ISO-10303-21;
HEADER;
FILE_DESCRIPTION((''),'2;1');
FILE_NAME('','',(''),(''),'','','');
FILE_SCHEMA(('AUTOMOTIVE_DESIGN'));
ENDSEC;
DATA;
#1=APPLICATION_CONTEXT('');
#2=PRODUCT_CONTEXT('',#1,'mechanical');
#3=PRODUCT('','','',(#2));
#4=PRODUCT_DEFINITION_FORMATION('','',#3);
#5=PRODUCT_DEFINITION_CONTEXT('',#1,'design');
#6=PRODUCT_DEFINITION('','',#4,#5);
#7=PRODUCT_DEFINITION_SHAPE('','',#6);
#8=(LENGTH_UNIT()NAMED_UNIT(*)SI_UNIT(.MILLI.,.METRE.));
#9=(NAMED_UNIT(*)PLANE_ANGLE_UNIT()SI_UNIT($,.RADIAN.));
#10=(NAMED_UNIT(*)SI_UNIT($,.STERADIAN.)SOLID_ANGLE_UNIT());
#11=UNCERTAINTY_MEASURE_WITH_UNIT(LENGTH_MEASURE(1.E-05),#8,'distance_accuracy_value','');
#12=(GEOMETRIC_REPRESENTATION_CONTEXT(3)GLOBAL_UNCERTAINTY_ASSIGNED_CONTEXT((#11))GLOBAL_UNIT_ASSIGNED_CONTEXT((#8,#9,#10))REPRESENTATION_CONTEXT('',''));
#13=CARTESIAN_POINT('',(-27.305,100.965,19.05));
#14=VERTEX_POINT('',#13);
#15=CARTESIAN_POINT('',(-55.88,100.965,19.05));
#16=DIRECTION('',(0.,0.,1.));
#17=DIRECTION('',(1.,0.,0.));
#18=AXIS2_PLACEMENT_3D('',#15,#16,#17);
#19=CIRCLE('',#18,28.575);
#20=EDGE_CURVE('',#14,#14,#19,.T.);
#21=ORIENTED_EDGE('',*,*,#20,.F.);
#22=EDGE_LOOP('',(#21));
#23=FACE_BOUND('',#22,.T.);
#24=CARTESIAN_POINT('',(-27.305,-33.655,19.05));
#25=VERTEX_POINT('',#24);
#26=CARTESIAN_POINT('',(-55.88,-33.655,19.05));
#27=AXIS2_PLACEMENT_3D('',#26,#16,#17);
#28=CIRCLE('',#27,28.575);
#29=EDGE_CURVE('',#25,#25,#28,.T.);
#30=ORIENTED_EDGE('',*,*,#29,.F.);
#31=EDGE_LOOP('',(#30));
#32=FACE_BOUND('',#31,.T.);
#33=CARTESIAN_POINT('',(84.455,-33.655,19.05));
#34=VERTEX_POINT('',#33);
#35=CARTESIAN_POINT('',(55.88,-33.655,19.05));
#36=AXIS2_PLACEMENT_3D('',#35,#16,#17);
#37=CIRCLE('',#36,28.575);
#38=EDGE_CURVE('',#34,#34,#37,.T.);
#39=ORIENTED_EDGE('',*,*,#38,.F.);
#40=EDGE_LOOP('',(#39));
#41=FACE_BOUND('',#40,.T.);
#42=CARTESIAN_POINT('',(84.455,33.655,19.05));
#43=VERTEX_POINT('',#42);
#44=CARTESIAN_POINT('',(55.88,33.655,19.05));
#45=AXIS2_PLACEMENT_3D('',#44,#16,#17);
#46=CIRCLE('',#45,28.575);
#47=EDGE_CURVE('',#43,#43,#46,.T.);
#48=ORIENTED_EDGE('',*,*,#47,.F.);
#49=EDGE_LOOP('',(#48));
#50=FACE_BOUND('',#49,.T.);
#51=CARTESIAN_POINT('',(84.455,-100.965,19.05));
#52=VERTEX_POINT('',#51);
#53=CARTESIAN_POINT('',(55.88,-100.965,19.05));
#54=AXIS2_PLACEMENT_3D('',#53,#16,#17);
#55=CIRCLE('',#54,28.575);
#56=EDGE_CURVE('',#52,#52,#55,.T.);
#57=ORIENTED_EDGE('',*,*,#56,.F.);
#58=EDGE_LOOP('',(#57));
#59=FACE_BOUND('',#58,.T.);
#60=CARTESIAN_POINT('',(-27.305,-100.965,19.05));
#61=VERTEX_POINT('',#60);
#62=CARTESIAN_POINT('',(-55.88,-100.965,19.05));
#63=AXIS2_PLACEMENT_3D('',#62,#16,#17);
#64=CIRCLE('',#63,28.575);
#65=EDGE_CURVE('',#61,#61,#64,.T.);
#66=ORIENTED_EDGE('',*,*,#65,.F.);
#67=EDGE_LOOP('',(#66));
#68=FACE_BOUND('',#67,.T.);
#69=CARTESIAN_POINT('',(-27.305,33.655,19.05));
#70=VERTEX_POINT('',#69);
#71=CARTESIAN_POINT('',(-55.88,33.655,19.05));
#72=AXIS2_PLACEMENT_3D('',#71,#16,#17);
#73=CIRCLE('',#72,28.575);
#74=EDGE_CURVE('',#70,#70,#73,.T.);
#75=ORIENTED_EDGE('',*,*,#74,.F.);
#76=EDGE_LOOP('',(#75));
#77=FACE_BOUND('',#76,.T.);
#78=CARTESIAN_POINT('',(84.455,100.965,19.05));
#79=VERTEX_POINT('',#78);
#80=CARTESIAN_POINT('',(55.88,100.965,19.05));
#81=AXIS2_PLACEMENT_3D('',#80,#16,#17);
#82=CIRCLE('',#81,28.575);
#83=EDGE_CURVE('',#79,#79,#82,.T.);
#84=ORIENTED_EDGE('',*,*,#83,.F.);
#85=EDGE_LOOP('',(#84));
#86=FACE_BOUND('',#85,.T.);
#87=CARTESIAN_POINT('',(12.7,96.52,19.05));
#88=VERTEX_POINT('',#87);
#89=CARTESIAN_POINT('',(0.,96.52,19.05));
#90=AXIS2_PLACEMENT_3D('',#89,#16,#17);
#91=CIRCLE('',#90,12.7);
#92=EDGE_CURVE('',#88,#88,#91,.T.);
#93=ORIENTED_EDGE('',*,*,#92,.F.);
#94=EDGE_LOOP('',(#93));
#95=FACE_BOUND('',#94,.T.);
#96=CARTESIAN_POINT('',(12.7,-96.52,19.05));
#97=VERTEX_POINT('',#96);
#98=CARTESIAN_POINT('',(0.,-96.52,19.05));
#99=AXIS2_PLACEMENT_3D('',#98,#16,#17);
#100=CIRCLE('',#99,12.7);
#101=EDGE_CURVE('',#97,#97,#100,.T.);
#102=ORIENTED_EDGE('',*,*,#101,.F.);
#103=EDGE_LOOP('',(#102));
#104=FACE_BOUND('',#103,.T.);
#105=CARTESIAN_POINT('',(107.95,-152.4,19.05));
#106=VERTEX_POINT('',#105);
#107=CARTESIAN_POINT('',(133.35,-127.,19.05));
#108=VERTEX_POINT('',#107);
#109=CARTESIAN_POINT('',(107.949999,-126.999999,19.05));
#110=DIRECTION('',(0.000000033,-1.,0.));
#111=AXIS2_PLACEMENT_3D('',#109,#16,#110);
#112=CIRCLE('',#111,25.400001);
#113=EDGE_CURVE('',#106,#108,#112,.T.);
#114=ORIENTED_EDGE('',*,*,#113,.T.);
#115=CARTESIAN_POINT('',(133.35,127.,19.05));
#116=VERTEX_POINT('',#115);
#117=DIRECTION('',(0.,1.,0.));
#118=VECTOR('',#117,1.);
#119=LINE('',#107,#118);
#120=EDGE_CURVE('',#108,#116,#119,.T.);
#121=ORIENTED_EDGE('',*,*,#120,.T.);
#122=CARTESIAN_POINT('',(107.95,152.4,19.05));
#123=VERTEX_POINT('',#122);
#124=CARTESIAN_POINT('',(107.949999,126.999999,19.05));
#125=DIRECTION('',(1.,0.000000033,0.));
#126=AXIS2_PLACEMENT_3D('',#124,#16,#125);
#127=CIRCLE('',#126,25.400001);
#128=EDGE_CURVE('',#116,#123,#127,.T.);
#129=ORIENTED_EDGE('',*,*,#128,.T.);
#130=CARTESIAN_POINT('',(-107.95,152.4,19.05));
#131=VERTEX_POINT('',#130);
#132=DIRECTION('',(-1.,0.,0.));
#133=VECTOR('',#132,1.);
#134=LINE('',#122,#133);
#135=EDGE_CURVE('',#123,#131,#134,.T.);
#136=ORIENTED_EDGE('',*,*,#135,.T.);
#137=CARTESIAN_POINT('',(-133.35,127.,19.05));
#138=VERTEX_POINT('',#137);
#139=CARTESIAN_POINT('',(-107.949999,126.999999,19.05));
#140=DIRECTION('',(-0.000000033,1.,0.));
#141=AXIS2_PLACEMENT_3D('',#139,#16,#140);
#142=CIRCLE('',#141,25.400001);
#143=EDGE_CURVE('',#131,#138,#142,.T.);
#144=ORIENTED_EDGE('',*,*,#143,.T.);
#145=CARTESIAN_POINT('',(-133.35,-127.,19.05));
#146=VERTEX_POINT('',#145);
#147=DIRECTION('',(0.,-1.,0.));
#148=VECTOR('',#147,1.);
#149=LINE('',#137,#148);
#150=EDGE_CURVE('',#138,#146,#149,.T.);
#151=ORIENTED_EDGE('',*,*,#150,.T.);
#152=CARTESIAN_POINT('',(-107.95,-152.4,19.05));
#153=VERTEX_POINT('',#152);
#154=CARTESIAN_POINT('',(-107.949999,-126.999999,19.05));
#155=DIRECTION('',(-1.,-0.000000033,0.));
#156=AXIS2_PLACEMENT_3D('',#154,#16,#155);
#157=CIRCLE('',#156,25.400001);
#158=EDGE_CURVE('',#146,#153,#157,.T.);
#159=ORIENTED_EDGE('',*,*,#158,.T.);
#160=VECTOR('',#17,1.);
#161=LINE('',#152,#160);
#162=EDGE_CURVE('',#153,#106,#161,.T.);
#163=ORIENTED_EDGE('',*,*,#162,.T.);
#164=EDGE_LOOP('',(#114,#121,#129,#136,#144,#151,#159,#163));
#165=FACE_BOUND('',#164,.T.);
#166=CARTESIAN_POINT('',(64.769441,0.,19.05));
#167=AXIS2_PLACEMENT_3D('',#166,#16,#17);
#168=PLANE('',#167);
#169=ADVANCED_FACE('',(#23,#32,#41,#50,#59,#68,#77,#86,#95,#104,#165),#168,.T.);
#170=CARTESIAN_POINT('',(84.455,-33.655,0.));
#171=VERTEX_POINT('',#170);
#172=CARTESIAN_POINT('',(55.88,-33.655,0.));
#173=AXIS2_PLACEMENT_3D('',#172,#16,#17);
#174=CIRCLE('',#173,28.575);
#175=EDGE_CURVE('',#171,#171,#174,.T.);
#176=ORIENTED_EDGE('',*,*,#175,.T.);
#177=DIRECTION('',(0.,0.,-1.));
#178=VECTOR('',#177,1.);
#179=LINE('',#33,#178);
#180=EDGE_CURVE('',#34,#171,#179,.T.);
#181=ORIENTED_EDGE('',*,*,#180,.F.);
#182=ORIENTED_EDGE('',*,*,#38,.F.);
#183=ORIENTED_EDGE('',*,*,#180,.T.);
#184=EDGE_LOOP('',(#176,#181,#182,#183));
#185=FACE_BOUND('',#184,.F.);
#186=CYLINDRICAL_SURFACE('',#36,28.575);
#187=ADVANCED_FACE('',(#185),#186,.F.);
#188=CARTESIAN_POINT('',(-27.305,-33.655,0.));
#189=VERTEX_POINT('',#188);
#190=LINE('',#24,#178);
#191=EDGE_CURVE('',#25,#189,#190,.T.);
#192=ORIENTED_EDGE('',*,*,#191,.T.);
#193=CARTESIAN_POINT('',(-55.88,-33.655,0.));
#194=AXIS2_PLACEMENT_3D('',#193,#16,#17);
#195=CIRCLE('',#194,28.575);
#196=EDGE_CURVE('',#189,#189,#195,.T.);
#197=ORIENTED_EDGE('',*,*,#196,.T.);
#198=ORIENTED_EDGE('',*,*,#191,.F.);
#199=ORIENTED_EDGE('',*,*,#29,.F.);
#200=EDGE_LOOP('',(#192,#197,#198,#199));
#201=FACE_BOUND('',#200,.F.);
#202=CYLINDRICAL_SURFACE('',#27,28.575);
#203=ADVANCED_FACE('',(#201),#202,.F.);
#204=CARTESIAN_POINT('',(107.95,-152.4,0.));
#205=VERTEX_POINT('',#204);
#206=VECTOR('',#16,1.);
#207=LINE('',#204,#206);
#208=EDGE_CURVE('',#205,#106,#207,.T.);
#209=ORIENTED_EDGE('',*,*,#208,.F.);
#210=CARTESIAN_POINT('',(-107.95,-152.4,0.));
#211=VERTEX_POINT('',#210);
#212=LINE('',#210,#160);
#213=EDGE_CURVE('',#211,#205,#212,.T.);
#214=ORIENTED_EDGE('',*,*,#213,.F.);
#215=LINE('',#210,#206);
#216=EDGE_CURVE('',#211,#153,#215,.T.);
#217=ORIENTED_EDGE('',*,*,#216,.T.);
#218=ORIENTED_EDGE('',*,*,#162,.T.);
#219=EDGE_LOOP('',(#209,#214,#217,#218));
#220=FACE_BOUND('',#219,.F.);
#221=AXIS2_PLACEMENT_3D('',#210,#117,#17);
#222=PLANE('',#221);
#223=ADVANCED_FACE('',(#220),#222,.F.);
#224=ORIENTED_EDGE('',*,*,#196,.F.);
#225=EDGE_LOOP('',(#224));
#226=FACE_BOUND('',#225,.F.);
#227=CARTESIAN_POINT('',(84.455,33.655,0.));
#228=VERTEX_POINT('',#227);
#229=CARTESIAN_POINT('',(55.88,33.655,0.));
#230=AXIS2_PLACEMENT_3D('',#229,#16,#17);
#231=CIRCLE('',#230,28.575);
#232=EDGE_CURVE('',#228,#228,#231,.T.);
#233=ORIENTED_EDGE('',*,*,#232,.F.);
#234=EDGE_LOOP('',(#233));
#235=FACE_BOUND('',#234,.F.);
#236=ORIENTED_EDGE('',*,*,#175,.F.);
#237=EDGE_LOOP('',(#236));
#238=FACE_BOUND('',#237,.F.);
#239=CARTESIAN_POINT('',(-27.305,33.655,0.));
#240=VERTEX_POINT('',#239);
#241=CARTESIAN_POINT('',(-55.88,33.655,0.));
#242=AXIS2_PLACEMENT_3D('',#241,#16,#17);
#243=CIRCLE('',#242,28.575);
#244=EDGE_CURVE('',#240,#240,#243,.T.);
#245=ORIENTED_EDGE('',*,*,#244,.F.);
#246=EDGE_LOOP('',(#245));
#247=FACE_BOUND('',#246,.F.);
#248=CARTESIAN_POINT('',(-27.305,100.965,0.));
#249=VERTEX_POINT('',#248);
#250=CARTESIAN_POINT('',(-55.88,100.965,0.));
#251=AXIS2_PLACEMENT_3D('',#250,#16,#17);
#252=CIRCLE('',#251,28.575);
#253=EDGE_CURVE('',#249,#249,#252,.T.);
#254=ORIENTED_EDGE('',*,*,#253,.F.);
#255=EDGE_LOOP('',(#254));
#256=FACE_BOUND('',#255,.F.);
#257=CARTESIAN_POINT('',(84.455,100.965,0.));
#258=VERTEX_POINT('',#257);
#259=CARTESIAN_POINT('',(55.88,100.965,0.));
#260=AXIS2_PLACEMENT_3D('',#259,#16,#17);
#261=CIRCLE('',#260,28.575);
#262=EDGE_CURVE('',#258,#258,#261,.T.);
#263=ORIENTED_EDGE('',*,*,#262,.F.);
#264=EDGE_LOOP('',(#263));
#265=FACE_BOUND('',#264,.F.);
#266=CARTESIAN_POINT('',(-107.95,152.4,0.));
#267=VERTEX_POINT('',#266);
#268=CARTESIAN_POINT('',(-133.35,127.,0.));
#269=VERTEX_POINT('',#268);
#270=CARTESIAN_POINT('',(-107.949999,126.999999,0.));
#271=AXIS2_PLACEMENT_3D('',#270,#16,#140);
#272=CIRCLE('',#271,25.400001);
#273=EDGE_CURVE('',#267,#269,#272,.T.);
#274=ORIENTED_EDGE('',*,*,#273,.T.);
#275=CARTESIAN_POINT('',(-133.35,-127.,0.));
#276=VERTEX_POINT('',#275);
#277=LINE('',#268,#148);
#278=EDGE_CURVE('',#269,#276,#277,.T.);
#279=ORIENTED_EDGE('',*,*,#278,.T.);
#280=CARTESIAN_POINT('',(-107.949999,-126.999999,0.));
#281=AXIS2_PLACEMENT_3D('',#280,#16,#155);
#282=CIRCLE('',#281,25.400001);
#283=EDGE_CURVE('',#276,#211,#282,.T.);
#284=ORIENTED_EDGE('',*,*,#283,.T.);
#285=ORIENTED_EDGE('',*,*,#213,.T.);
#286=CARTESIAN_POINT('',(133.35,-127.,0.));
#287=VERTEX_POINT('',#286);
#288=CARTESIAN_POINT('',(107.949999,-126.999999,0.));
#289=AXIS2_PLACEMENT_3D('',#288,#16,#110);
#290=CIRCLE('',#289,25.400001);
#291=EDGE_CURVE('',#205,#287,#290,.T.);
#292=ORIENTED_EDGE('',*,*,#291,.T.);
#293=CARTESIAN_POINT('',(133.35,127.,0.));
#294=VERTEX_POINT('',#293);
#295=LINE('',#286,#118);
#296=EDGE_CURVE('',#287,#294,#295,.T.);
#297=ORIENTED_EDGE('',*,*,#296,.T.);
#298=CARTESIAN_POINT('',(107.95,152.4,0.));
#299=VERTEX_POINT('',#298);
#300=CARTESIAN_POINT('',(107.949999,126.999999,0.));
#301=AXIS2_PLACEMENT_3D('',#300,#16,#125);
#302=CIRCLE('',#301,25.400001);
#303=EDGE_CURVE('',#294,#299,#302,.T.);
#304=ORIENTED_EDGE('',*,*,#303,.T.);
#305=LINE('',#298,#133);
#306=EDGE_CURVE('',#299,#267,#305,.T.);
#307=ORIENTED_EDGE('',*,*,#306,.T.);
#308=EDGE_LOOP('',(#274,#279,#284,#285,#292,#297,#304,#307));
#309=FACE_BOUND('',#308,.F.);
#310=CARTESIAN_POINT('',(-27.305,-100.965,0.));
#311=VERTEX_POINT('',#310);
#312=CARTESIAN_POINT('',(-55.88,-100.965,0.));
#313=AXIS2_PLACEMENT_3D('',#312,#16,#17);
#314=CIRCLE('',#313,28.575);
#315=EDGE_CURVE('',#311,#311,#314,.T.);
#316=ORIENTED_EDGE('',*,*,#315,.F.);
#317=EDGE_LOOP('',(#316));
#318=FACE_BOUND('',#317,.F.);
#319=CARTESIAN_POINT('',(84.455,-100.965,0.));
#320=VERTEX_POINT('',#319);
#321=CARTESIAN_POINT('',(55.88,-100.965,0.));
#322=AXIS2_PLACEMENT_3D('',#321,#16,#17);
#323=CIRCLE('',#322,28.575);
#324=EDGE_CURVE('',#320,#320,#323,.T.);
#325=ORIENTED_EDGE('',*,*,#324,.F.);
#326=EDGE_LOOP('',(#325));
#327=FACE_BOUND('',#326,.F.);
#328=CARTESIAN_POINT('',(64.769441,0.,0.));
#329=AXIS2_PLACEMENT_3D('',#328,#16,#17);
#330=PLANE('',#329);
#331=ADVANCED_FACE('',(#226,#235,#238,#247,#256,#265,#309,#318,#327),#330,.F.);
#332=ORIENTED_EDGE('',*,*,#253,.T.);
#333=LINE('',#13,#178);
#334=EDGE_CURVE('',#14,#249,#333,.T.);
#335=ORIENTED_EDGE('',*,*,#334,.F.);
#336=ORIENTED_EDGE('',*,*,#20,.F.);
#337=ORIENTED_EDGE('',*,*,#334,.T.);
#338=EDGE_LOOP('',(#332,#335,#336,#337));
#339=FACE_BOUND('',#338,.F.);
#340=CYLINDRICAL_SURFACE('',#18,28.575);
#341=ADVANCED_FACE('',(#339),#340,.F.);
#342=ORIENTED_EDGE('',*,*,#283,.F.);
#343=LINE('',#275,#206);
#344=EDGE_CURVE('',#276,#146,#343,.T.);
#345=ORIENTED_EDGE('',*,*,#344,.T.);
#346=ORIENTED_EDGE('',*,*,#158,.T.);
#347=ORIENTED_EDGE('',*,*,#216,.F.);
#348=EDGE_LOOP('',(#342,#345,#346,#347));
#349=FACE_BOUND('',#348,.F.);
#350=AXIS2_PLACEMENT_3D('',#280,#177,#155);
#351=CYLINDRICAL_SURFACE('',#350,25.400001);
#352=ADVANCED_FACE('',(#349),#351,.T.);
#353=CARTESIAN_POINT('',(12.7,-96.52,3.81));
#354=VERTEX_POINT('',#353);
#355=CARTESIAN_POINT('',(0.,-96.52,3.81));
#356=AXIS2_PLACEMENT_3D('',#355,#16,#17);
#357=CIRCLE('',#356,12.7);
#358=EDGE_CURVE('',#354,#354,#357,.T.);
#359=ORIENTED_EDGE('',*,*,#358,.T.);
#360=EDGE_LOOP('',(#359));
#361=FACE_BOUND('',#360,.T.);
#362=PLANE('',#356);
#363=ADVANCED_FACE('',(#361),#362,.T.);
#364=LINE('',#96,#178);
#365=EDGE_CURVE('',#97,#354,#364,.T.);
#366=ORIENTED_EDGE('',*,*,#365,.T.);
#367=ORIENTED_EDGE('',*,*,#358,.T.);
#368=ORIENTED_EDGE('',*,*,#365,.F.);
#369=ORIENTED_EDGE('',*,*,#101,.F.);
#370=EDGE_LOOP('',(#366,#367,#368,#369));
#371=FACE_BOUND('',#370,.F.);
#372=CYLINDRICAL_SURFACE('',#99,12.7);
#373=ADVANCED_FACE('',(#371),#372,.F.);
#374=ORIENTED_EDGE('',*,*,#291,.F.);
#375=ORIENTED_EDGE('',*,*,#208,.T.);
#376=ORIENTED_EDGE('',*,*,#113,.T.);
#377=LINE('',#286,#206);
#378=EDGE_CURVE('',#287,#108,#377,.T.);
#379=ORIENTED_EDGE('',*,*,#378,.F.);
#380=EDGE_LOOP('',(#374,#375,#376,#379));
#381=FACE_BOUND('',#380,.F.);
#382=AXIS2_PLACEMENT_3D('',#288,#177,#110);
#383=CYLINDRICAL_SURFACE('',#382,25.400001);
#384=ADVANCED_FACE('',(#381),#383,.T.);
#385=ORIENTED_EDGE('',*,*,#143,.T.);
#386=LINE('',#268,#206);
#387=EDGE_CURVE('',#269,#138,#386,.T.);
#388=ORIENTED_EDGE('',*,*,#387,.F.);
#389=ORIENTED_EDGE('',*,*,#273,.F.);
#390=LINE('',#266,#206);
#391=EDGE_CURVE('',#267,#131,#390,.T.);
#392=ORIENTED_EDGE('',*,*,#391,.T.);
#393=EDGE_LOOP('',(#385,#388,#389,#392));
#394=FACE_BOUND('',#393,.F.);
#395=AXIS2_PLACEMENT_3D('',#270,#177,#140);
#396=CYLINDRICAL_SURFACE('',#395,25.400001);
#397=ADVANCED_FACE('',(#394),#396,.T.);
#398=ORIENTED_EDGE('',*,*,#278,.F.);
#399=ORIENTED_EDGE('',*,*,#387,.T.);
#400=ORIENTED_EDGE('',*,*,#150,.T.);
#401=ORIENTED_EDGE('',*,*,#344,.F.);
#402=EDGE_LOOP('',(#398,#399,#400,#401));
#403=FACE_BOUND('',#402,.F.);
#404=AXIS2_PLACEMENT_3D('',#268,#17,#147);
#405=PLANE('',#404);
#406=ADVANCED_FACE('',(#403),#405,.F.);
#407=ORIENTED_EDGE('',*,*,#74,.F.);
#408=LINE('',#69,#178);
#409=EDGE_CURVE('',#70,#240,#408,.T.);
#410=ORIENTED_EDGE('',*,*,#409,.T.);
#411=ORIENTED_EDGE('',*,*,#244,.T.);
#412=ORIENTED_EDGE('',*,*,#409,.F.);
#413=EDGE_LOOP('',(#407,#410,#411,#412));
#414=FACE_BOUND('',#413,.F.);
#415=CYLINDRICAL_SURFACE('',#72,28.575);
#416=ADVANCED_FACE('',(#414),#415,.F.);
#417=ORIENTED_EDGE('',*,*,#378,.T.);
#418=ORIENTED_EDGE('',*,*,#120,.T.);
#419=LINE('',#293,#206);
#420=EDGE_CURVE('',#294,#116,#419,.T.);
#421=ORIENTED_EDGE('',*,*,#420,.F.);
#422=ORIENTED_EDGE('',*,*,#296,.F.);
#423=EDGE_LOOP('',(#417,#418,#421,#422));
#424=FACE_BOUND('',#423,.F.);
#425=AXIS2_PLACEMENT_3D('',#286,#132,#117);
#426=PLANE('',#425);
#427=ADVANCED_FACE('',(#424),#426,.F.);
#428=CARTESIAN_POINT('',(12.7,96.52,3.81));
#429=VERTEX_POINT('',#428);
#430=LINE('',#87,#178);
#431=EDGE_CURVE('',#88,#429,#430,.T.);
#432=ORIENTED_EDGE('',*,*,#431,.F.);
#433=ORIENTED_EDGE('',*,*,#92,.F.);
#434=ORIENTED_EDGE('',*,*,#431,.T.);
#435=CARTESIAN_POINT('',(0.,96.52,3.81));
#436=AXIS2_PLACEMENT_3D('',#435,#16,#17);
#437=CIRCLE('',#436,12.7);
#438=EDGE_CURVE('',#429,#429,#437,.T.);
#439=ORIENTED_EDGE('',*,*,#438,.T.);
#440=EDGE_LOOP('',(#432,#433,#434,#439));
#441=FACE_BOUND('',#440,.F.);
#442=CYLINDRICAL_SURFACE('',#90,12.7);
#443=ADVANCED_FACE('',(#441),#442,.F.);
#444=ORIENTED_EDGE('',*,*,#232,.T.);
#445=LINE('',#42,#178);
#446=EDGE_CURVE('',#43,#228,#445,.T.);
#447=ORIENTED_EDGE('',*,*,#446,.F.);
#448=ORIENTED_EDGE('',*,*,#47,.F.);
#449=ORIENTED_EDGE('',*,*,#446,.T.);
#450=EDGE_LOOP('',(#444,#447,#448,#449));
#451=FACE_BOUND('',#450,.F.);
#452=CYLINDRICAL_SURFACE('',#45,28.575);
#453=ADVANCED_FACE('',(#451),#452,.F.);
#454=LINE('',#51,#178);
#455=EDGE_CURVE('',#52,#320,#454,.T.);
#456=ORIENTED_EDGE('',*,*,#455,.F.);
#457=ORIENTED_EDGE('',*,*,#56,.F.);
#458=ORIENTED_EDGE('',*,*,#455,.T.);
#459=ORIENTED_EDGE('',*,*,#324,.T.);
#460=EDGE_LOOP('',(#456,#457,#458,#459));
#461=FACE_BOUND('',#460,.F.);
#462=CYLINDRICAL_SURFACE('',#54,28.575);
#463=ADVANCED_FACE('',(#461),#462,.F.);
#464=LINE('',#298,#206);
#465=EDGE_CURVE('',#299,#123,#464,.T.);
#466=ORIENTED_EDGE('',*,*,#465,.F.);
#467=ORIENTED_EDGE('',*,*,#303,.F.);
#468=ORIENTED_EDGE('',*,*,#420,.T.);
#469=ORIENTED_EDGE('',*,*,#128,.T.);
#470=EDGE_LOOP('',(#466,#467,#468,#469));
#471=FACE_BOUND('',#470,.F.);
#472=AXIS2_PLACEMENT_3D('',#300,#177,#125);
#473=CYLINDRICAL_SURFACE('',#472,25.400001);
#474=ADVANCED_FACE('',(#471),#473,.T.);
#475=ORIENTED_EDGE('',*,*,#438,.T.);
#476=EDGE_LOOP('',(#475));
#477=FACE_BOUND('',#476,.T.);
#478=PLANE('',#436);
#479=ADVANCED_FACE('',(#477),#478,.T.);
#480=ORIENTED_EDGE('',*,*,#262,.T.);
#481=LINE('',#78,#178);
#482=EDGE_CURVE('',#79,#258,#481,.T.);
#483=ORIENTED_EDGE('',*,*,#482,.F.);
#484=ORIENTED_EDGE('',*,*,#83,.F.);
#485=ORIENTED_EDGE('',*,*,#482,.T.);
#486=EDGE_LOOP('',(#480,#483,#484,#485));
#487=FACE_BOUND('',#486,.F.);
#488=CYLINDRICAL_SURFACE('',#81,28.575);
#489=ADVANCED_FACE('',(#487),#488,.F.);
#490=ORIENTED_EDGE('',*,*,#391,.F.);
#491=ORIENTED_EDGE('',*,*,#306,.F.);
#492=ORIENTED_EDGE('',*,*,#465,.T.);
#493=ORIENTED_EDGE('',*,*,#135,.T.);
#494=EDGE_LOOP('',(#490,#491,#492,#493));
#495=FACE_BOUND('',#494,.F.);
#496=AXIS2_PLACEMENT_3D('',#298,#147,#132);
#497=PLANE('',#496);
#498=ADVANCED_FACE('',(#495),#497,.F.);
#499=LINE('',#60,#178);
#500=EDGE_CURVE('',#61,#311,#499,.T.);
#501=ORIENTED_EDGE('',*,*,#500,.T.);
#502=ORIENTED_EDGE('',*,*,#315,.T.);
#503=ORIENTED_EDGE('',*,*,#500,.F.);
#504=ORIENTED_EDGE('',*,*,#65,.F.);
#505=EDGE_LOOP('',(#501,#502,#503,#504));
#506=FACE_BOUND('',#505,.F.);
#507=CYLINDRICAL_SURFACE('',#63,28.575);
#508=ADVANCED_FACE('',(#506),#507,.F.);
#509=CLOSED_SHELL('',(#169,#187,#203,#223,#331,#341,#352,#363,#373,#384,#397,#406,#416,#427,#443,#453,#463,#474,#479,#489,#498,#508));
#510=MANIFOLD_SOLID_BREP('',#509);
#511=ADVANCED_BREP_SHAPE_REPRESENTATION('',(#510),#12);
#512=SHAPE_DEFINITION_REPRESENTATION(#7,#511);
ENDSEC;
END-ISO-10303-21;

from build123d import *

# Parameters (mm, degrees)
F1_DEPTH = 19.05
F2_R     = 28.575
F3_DEPTH = 19.051
F4_R     = 12.7
F5_DEPTH = 15.24


with BuildPart() as f1:
    # F0 (on Top) → F1 (new body)
    with BuildSketch(Plane.XY):
        with BuildLine():
            ThreePointArc((133.35, 127), (125.910512, 144.960512), (107.95, 152.4))
            Line((107.95, 152.4), (0, 152.4))
            Line((0, 152.4), (0, -152.4))
            Line((0, -152.4), (107.95, -152.4))
            ThreePointArc((107.95, -152.4), (125.910512, -144.960512), (133.35, -127))
            Line((133.35, -127), (133.35, 127))
        make_face()
        with BuildLine():
            Line((0, -152.4), (0, 152.4))
            Line((0, 152.4), (-107.95, 152.4))
            ThreePointArc((-107.95, 152.4), (-125.910512, 144.960512), (-133.35, 127))
            Line((-133.35, 127), (-133.35, -127))
            ThreePointArc((-133.35, -127), (-125.910512, -144.960512), (-107.95, -152.4))
            Line((-107.95, -152.4), (0, -152.4))
        make_face()
    extrude(amount=F1_DEPTH)

    # F2 (on face) → F3 (cut, through all)
    with BuildSketch(Plane.XY.offset(19.05)):
        with Locations((-55.88, 100.965)):
            Circle(F2_R)
        with Locations((-55.88, 33.655)):
            Circle(F2_R)
        with Locations((-55.88, -33.655)):
            Circle(F2_R)
        with Locations((-55.88, -100.965)):
            Circle(F2_R)
        with Locations((55.88, -100.965)):
            Circle(F2_R)
        with Locations((55.88, -33.655)):
            Circle(F2_R)
        with Locations((55.88, 33.655)):
            Circle(F2_R)
        with Locations((55.88, 100.965)):
            Circle(F2_R)
    extrude(amount=-F3_DEPTH, mode=Mode.SUBTRACT)

    # F4 (on face) → F5 (cut)
    with BuildSketch(Plane.XY.offset(19.05)):
        with Locations((0, 96.52)):
            Circle(F4_R)
        with Locations((0, -96.52)):
            Circle(F4_R)
    extrude(amount=-F5_DEPTH, mode=Mode.SUBTRACT)


solid = f1.part
